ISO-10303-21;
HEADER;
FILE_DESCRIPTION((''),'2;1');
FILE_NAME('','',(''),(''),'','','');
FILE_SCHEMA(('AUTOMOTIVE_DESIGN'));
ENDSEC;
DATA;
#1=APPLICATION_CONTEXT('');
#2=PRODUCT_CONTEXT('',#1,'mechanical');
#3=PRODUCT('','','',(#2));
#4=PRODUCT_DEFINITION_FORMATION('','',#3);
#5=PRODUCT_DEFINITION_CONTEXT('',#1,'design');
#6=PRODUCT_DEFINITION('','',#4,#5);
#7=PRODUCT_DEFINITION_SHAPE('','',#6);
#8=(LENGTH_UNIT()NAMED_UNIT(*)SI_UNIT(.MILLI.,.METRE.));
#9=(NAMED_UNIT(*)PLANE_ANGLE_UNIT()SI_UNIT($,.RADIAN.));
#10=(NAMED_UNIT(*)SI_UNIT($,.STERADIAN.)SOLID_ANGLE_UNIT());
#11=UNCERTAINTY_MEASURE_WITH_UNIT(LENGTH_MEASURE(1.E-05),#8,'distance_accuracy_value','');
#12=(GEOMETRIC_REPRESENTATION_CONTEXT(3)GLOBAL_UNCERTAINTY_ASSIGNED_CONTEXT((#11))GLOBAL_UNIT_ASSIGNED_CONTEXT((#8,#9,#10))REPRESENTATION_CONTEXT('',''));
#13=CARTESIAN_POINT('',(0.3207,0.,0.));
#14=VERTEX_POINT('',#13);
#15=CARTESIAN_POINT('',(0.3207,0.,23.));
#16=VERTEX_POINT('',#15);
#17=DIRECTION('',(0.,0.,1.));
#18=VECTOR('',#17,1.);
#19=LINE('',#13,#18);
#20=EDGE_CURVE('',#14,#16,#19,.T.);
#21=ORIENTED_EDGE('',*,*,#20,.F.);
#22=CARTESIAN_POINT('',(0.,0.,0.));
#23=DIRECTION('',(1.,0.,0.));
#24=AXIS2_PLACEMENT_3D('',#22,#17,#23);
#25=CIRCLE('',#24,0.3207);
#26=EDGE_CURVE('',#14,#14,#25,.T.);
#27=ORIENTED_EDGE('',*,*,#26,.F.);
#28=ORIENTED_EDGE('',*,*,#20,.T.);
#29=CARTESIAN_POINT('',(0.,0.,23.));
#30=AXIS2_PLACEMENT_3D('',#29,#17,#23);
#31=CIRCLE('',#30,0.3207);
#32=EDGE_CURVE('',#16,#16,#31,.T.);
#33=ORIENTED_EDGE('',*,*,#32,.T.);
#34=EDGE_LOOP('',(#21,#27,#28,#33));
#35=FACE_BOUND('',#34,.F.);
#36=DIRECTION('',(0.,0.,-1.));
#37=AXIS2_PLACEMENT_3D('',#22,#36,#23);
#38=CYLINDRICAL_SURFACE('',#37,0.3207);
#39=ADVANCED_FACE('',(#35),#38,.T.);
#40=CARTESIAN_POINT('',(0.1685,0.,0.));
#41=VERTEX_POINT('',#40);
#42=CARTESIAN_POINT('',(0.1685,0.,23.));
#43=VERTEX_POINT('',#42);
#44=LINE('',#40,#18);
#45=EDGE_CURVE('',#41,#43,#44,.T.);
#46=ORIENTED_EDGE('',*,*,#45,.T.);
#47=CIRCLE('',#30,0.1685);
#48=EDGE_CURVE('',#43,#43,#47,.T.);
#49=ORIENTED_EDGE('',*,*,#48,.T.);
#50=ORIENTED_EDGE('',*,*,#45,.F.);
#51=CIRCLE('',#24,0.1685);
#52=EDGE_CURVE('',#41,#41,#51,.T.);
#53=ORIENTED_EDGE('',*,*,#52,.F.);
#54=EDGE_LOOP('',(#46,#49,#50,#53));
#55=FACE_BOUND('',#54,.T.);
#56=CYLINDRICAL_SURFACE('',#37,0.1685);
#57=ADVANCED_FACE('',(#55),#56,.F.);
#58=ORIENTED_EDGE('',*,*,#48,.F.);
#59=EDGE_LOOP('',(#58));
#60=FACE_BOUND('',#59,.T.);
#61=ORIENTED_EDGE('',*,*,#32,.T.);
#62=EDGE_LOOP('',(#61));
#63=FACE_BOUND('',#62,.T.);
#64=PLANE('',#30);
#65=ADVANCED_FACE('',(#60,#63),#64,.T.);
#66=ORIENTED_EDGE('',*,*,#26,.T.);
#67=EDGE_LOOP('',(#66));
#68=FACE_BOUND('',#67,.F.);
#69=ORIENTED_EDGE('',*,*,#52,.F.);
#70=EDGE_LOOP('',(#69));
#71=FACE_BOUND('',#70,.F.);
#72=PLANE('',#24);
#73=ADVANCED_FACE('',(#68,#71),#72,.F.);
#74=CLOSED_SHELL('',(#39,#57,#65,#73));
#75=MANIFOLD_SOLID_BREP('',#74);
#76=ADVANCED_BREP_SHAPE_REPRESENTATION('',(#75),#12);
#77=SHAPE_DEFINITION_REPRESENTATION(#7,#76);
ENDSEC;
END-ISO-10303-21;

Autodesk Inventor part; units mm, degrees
ref_plane "YZ Plane" through (0, 0, 0) normal (1, 0, 0) x (0, 1, 0)
ref_plane "XZ Plane" through (0, 0, 0) normal (0, 1, 0) x (-1, 0, 0)
ref_plane "XY Plane" through (0, 0, 0) normal (0, 0, 1) x (1, 0, 0)
sketch "Sketch1" plane through (0, 0, 0) normal (0, 0, 1) x (1, 0, 0)
  circle A0 centre (0, 0) radius 0.3207
  circle A1 centre (0, 0) radius 0.1685
  dimension "d0" = 0.6414
  dimension "d1" = 0.337
extrude "Extrusion1" add sketch "Sketch1" along normal blind 23
properties part number "23G_Pillar"
